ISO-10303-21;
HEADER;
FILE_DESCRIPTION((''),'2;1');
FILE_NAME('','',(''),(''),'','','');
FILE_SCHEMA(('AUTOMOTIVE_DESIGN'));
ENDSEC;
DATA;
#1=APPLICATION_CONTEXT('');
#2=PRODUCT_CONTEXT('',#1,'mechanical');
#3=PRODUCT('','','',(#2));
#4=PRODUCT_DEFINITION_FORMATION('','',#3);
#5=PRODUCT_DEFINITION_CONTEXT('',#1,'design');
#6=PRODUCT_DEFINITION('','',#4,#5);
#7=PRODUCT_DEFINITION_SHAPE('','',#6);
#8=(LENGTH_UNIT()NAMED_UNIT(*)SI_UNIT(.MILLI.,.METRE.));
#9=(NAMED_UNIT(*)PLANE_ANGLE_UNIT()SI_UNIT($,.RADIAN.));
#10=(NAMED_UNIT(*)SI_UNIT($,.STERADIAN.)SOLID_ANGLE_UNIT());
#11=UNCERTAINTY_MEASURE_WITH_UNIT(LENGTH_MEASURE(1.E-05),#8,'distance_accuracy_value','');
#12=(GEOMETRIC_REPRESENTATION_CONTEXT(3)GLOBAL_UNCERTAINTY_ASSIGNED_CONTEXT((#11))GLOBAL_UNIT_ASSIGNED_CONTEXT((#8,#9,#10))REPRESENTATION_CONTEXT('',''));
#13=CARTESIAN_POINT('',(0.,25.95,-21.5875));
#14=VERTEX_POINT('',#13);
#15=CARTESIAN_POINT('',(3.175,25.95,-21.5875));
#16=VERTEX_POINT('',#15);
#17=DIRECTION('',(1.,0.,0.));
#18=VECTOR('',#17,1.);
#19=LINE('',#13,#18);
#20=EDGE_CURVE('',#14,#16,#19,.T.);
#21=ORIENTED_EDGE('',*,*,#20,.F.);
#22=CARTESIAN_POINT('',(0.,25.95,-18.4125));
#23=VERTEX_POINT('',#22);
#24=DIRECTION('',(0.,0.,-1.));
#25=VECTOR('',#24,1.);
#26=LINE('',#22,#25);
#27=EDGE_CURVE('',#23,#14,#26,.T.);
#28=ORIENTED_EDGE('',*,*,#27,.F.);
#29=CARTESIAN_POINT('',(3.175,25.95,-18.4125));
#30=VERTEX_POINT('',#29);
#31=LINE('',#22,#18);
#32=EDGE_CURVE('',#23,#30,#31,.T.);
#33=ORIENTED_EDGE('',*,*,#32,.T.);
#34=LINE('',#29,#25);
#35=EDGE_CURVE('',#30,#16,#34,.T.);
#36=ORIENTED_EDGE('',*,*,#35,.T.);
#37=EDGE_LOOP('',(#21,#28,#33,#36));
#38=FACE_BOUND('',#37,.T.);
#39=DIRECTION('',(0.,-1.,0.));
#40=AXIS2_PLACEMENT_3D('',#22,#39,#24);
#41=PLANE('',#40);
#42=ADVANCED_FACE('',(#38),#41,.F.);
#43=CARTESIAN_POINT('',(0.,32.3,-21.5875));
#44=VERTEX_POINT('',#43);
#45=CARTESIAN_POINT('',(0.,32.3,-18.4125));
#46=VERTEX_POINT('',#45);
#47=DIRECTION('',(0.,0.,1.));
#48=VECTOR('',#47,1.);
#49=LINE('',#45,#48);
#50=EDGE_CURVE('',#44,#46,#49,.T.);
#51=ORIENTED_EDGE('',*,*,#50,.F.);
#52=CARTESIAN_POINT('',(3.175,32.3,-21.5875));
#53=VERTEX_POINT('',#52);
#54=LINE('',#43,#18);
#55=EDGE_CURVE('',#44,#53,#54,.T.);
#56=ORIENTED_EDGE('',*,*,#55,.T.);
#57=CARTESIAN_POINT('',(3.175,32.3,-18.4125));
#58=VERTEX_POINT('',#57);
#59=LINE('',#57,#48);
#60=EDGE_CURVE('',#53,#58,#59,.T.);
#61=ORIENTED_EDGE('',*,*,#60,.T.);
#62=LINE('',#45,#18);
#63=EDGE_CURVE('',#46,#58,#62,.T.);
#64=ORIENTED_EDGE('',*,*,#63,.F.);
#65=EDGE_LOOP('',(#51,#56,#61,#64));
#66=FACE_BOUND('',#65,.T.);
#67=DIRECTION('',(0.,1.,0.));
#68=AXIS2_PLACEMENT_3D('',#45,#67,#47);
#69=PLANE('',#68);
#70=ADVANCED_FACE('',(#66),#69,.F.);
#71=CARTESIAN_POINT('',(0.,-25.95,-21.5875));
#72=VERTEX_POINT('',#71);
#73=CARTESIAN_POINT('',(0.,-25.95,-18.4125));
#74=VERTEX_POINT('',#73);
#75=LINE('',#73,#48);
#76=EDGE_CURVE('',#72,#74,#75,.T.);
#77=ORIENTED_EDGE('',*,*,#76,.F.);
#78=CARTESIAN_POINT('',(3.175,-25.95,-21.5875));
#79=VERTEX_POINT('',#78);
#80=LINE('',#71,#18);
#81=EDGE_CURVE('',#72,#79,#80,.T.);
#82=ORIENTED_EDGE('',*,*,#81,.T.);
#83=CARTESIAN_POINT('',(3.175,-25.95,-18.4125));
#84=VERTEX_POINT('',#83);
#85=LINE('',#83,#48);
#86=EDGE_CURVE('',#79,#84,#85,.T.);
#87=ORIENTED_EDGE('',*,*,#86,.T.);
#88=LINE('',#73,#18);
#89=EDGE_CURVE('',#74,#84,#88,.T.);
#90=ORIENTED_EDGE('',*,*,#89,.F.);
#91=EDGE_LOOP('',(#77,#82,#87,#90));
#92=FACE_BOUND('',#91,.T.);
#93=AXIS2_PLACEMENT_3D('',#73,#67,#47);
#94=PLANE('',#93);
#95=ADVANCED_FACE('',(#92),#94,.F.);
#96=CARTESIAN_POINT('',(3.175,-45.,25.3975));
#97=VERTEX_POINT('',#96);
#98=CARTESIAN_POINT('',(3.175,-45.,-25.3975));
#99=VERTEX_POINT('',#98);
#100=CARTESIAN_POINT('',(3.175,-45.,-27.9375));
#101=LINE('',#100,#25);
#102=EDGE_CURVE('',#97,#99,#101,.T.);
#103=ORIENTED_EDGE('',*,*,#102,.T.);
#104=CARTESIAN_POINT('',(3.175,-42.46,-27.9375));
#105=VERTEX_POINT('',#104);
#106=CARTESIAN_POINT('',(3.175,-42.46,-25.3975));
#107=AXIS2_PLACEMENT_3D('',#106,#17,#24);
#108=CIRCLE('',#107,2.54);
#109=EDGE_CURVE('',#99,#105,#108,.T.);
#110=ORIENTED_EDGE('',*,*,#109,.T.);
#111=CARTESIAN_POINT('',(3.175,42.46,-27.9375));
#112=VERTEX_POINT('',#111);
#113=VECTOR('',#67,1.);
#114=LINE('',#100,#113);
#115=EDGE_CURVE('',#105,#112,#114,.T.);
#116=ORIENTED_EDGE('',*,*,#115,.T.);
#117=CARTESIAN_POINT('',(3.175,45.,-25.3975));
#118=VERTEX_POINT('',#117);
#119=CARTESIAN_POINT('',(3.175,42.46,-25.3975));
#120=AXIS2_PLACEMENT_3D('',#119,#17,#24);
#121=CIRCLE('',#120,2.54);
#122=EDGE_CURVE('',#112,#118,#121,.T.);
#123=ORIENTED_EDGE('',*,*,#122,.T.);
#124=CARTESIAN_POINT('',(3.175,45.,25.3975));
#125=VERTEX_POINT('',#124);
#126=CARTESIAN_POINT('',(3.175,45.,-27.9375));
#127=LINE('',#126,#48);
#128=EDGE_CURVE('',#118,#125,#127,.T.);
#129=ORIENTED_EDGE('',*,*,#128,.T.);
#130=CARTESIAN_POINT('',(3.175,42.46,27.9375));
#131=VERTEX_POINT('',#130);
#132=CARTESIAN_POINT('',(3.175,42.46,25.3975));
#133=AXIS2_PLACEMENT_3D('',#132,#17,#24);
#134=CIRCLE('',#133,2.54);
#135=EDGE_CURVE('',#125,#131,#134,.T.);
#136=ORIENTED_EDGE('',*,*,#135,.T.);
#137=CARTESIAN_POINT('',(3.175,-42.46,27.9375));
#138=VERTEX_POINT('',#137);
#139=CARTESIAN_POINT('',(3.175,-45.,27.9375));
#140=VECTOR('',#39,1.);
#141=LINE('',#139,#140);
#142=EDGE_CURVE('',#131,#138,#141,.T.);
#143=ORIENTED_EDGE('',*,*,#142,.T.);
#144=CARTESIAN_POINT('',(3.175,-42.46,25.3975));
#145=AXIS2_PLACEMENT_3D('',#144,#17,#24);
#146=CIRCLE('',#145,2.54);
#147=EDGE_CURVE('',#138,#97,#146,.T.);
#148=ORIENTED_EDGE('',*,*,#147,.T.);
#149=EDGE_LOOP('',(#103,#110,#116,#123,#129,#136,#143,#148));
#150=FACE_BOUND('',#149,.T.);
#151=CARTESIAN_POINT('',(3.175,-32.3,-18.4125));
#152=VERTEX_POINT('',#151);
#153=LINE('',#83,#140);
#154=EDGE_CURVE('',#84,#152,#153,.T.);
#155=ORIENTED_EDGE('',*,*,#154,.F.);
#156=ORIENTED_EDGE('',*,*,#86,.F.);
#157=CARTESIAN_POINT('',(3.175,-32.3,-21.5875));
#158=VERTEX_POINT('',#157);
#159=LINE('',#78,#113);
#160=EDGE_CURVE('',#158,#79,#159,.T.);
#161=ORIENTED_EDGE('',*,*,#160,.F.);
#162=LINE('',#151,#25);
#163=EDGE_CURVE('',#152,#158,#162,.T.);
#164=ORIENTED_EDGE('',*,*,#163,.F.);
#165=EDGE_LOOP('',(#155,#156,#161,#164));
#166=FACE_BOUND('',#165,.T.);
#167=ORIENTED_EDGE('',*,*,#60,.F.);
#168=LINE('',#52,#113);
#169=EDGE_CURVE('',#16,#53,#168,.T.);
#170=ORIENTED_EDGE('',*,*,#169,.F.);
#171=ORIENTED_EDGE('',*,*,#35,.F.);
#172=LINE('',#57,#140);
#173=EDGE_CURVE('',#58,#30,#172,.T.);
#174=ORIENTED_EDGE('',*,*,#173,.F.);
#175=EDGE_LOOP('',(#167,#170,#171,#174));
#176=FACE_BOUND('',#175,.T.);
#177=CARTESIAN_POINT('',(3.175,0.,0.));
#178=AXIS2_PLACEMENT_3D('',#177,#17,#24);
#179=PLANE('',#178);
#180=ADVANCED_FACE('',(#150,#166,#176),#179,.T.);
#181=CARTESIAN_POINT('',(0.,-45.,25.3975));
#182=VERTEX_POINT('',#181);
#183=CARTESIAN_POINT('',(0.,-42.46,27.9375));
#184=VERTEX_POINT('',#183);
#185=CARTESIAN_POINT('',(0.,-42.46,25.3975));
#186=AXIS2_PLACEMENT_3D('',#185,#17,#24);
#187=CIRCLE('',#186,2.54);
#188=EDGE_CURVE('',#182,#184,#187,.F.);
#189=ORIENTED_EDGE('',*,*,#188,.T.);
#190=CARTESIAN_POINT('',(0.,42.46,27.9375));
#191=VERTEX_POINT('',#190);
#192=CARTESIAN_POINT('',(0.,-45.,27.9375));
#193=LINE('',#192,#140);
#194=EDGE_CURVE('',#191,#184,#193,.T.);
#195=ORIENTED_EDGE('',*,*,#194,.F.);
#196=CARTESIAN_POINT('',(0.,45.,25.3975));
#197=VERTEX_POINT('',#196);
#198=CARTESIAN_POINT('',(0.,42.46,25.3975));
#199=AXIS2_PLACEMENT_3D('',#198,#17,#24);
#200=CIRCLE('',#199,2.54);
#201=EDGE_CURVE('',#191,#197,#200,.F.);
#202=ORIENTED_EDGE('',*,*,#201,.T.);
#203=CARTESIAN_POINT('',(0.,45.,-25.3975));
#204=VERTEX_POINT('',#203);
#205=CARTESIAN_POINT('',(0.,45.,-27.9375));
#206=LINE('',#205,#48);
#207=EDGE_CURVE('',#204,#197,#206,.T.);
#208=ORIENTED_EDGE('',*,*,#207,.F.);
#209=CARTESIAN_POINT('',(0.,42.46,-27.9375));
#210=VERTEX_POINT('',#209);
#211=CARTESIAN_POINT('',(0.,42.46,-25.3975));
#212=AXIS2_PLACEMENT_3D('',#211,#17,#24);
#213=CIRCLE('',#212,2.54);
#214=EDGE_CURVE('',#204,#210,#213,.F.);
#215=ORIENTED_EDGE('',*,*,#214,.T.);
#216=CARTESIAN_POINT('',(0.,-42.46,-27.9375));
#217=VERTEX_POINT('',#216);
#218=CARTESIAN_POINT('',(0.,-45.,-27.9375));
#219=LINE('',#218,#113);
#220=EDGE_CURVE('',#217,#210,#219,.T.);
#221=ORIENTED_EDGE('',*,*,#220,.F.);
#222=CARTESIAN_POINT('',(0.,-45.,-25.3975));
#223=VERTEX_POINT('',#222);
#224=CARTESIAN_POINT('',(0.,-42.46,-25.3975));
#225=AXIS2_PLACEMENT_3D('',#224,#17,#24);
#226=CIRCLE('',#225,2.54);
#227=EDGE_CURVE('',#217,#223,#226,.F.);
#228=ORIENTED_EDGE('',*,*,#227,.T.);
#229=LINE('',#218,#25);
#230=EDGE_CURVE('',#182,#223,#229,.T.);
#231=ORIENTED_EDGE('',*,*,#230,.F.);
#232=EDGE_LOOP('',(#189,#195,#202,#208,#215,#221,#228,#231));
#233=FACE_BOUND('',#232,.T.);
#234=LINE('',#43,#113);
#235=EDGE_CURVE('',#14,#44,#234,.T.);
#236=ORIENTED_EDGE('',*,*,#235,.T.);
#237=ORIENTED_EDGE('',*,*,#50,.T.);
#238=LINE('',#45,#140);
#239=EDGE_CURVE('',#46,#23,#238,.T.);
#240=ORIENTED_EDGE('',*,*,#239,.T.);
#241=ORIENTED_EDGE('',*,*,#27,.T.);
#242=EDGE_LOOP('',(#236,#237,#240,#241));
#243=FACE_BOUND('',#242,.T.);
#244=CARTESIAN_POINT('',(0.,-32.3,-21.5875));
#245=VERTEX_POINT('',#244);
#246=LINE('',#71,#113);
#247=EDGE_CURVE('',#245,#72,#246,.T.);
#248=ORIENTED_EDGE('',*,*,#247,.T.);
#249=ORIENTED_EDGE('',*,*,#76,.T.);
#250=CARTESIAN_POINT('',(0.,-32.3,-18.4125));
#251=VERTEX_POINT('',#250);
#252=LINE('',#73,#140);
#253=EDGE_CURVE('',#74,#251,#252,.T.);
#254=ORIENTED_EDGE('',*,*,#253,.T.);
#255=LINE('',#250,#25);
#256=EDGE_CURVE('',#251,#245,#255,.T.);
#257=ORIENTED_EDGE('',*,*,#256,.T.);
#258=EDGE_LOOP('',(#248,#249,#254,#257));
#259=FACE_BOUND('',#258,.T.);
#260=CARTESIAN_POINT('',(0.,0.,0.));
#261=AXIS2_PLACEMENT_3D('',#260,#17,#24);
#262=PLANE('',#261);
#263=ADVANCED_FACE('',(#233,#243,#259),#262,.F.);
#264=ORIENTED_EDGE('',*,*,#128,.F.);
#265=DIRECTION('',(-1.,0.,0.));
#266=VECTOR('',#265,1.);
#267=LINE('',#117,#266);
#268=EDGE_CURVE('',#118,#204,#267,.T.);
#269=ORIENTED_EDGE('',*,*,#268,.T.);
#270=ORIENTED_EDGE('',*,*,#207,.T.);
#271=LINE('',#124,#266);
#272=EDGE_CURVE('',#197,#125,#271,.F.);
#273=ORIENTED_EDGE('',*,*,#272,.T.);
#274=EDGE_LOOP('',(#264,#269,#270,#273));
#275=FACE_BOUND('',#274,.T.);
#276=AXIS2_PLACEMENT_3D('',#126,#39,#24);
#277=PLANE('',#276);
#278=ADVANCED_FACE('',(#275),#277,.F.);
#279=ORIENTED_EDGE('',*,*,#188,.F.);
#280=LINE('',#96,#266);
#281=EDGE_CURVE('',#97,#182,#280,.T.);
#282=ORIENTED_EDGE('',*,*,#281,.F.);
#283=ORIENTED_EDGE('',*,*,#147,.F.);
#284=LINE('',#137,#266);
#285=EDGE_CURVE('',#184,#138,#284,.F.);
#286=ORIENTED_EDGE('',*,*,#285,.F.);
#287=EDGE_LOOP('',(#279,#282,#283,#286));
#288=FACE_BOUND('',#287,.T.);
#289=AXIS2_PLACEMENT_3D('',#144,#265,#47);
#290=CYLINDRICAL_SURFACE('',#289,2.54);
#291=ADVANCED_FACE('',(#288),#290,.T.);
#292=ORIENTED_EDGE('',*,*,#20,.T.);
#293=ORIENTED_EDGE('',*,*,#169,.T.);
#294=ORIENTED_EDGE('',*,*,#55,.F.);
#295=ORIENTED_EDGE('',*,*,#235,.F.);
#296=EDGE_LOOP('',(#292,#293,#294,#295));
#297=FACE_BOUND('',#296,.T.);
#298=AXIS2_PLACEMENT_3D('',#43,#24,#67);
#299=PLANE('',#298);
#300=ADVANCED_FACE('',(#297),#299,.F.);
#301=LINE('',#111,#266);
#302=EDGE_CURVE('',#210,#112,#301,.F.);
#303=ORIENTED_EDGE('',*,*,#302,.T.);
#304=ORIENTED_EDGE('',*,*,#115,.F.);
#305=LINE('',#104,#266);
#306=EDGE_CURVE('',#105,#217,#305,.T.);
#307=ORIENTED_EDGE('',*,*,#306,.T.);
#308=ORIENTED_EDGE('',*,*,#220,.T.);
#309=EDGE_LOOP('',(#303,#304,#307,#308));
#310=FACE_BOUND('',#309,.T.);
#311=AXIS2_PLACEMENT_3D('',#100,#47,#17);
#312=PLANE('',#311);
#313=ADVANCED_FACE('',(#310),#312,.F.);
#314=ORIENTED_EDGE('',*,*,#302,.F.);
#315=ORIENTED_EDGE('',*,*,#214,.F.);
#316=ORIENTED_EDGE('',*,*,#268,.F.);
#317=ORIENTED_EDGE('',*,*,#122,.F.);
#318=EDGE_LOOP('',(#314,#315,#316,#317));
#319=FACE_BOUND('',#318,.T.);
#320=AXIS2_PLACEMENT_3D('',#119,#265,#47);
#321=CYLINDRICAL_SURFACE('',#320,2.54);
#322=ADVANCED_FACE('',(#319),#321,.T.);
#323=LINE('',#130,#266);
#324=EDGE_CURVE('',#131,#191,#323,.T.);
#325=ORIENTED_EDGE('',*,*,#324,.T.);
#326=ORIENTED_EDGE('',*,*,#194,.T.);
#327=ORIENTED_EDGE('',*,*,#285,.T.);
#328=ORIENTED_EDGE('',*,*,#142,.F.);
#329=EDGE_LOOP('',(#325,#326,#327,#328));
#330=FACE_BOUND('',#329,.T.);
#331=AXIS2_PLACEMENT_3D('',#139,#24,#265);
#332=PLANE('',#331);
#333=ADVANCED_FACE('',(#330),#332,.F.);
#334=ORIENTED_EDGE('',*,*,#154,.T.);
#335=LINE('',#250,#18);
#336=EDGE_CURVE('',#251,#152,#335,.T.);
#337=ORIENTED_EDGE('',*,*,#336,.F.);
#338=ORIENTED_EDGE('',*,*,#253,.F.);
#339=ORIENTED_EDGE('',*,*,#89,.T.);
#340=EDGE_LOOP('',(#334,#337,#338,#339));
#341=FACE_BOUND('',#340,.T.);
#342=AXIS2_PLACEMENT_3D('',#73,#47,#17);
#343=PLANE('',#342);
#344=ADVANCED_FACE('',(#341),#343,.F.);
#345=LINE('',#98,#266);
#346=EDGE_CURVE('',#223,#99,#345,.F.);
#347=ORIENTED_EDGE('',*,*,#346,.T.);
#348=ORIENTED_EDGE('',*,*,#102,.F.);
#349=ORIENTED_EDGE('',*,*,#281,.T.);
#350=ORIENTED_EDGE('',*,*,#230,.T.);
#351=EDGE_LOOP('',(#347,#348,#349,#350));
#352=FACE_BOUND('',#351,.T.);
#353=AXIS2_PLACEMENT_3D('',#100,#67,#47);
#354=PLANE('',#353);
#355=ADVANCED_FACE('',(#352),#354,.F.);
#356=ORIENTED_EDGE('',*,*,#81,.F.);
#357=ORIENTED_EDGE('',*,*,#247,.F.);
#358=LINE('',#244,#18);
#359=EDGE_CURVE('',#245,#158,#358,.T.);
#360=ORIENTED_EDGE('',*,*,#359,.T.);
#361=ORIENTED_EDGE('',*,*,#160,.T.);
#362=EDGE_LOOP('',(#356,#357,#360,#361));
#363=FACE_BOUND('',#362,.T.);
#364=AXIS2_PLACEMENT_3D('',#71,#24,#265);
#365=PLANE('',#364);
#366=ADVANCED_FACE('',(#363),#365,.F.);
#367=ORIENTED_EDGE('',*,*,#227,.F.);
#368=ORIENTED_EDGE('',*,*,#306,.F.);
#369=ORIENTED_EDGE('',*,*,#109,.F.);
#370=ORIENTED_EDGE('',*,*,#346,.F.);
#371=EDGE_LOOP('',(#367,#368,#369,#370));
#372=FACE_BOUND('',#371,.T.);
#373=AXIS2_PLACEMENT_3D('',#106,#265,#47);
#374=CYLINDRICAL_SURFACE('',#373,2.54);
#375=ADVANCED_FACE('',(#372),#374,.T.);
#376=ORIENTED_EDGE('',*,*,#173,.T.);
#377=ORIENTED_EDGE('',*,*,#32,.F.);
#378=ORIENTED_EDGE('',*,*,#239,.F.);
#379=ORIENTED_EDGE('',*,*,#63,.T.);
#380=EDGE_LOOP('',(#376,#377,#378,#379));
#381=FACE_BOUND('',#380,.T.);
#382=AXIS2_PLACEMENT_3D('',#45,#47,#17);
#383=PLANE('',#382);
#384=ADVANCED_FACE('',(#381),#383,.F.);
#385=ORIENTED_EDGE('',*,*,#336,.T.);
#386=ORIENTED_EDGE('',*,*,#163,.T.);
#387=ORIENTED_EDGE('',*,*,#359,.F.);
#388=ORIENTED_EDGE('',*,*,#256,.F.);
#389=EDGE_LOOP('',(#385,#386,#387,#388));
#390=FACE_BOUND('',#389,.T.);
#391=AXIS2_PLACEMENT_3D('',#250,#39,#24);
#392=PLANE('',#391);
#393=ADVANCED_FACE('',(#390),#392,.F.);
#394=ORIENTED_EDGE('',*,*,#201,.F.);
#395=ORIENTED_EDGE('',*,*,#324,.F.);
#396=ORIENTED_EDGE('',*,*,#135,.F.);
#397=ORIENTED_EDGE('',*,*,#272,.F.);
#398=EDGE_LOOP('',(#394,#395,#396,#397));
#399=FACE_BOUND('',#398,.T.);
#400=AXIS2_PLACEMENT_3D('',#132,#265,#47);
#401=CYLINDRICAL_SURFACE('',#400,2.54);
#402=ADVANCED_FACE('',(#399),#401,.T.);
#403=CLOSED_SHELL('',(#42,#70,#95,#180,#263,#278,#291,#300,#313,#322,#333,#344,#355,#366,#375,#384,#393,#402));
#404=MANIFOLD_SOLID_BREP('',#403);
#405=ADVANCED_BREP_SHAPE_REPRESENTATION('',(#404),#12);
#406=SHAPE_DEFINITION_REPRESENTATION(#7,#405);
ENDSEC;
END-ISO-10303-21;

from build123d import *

# Parameters (mm, degrees)
SKETCH1_W           = 55.875
SKETCH1_H           = 90
BOSS_EXTRUDE1_DEPTH = 3.175
SKETCH2_W           = 3.175
SKETCH2_H           = 6.35
CUT_EXTRUDE1_DEPTH  = 54.062081859
FILLET1_R           = 2.54


with BuildPart() as part:
    # Sketch1 → Boss-Extrude1 (new body)
    with BuildSketch(Plane(origin=(0, 0, 0), x_dir=(0, 0, -1), z_dir=(1, 0, 0))):
        Rectangle(SKETCH1_W, SKETCH1_H)
    extrude(amount=BOSS_EXTRUDE1_DEPTH)

    # Sketch2 → Cut-Extrude1 (cut, through all)
    with BuildSketch(Plane(origin=(3.175, 0, 0), x_dir=(0, 0, -1), z_dir=(1, 0, 0))):
        with Locations((20, 29.125)):
            Rectangle(SKETCH2_W, SKETCH2_H)
        with Locations((20, -29.125)):
            Rectangle(SKETCH2_W, SKETCH2_H)
    extrude(amount=-CUT_EXTRUDE1_DEPTH, mode=Mode.SUBTRACT)

    # Fillet1
    fillet1_edges = [part.edges().sort_by_distance(p)[0] for p in [
        (1.5875, 45, 27.9375),
        (1.5875, 45, -27.9375),
        (1.5875, -45, -27.9375),
        (1.5875, -45, 27.9375),
    ]]
    fillet(fillet1_edges, radius=FILLET1_R)


solid = part.part
